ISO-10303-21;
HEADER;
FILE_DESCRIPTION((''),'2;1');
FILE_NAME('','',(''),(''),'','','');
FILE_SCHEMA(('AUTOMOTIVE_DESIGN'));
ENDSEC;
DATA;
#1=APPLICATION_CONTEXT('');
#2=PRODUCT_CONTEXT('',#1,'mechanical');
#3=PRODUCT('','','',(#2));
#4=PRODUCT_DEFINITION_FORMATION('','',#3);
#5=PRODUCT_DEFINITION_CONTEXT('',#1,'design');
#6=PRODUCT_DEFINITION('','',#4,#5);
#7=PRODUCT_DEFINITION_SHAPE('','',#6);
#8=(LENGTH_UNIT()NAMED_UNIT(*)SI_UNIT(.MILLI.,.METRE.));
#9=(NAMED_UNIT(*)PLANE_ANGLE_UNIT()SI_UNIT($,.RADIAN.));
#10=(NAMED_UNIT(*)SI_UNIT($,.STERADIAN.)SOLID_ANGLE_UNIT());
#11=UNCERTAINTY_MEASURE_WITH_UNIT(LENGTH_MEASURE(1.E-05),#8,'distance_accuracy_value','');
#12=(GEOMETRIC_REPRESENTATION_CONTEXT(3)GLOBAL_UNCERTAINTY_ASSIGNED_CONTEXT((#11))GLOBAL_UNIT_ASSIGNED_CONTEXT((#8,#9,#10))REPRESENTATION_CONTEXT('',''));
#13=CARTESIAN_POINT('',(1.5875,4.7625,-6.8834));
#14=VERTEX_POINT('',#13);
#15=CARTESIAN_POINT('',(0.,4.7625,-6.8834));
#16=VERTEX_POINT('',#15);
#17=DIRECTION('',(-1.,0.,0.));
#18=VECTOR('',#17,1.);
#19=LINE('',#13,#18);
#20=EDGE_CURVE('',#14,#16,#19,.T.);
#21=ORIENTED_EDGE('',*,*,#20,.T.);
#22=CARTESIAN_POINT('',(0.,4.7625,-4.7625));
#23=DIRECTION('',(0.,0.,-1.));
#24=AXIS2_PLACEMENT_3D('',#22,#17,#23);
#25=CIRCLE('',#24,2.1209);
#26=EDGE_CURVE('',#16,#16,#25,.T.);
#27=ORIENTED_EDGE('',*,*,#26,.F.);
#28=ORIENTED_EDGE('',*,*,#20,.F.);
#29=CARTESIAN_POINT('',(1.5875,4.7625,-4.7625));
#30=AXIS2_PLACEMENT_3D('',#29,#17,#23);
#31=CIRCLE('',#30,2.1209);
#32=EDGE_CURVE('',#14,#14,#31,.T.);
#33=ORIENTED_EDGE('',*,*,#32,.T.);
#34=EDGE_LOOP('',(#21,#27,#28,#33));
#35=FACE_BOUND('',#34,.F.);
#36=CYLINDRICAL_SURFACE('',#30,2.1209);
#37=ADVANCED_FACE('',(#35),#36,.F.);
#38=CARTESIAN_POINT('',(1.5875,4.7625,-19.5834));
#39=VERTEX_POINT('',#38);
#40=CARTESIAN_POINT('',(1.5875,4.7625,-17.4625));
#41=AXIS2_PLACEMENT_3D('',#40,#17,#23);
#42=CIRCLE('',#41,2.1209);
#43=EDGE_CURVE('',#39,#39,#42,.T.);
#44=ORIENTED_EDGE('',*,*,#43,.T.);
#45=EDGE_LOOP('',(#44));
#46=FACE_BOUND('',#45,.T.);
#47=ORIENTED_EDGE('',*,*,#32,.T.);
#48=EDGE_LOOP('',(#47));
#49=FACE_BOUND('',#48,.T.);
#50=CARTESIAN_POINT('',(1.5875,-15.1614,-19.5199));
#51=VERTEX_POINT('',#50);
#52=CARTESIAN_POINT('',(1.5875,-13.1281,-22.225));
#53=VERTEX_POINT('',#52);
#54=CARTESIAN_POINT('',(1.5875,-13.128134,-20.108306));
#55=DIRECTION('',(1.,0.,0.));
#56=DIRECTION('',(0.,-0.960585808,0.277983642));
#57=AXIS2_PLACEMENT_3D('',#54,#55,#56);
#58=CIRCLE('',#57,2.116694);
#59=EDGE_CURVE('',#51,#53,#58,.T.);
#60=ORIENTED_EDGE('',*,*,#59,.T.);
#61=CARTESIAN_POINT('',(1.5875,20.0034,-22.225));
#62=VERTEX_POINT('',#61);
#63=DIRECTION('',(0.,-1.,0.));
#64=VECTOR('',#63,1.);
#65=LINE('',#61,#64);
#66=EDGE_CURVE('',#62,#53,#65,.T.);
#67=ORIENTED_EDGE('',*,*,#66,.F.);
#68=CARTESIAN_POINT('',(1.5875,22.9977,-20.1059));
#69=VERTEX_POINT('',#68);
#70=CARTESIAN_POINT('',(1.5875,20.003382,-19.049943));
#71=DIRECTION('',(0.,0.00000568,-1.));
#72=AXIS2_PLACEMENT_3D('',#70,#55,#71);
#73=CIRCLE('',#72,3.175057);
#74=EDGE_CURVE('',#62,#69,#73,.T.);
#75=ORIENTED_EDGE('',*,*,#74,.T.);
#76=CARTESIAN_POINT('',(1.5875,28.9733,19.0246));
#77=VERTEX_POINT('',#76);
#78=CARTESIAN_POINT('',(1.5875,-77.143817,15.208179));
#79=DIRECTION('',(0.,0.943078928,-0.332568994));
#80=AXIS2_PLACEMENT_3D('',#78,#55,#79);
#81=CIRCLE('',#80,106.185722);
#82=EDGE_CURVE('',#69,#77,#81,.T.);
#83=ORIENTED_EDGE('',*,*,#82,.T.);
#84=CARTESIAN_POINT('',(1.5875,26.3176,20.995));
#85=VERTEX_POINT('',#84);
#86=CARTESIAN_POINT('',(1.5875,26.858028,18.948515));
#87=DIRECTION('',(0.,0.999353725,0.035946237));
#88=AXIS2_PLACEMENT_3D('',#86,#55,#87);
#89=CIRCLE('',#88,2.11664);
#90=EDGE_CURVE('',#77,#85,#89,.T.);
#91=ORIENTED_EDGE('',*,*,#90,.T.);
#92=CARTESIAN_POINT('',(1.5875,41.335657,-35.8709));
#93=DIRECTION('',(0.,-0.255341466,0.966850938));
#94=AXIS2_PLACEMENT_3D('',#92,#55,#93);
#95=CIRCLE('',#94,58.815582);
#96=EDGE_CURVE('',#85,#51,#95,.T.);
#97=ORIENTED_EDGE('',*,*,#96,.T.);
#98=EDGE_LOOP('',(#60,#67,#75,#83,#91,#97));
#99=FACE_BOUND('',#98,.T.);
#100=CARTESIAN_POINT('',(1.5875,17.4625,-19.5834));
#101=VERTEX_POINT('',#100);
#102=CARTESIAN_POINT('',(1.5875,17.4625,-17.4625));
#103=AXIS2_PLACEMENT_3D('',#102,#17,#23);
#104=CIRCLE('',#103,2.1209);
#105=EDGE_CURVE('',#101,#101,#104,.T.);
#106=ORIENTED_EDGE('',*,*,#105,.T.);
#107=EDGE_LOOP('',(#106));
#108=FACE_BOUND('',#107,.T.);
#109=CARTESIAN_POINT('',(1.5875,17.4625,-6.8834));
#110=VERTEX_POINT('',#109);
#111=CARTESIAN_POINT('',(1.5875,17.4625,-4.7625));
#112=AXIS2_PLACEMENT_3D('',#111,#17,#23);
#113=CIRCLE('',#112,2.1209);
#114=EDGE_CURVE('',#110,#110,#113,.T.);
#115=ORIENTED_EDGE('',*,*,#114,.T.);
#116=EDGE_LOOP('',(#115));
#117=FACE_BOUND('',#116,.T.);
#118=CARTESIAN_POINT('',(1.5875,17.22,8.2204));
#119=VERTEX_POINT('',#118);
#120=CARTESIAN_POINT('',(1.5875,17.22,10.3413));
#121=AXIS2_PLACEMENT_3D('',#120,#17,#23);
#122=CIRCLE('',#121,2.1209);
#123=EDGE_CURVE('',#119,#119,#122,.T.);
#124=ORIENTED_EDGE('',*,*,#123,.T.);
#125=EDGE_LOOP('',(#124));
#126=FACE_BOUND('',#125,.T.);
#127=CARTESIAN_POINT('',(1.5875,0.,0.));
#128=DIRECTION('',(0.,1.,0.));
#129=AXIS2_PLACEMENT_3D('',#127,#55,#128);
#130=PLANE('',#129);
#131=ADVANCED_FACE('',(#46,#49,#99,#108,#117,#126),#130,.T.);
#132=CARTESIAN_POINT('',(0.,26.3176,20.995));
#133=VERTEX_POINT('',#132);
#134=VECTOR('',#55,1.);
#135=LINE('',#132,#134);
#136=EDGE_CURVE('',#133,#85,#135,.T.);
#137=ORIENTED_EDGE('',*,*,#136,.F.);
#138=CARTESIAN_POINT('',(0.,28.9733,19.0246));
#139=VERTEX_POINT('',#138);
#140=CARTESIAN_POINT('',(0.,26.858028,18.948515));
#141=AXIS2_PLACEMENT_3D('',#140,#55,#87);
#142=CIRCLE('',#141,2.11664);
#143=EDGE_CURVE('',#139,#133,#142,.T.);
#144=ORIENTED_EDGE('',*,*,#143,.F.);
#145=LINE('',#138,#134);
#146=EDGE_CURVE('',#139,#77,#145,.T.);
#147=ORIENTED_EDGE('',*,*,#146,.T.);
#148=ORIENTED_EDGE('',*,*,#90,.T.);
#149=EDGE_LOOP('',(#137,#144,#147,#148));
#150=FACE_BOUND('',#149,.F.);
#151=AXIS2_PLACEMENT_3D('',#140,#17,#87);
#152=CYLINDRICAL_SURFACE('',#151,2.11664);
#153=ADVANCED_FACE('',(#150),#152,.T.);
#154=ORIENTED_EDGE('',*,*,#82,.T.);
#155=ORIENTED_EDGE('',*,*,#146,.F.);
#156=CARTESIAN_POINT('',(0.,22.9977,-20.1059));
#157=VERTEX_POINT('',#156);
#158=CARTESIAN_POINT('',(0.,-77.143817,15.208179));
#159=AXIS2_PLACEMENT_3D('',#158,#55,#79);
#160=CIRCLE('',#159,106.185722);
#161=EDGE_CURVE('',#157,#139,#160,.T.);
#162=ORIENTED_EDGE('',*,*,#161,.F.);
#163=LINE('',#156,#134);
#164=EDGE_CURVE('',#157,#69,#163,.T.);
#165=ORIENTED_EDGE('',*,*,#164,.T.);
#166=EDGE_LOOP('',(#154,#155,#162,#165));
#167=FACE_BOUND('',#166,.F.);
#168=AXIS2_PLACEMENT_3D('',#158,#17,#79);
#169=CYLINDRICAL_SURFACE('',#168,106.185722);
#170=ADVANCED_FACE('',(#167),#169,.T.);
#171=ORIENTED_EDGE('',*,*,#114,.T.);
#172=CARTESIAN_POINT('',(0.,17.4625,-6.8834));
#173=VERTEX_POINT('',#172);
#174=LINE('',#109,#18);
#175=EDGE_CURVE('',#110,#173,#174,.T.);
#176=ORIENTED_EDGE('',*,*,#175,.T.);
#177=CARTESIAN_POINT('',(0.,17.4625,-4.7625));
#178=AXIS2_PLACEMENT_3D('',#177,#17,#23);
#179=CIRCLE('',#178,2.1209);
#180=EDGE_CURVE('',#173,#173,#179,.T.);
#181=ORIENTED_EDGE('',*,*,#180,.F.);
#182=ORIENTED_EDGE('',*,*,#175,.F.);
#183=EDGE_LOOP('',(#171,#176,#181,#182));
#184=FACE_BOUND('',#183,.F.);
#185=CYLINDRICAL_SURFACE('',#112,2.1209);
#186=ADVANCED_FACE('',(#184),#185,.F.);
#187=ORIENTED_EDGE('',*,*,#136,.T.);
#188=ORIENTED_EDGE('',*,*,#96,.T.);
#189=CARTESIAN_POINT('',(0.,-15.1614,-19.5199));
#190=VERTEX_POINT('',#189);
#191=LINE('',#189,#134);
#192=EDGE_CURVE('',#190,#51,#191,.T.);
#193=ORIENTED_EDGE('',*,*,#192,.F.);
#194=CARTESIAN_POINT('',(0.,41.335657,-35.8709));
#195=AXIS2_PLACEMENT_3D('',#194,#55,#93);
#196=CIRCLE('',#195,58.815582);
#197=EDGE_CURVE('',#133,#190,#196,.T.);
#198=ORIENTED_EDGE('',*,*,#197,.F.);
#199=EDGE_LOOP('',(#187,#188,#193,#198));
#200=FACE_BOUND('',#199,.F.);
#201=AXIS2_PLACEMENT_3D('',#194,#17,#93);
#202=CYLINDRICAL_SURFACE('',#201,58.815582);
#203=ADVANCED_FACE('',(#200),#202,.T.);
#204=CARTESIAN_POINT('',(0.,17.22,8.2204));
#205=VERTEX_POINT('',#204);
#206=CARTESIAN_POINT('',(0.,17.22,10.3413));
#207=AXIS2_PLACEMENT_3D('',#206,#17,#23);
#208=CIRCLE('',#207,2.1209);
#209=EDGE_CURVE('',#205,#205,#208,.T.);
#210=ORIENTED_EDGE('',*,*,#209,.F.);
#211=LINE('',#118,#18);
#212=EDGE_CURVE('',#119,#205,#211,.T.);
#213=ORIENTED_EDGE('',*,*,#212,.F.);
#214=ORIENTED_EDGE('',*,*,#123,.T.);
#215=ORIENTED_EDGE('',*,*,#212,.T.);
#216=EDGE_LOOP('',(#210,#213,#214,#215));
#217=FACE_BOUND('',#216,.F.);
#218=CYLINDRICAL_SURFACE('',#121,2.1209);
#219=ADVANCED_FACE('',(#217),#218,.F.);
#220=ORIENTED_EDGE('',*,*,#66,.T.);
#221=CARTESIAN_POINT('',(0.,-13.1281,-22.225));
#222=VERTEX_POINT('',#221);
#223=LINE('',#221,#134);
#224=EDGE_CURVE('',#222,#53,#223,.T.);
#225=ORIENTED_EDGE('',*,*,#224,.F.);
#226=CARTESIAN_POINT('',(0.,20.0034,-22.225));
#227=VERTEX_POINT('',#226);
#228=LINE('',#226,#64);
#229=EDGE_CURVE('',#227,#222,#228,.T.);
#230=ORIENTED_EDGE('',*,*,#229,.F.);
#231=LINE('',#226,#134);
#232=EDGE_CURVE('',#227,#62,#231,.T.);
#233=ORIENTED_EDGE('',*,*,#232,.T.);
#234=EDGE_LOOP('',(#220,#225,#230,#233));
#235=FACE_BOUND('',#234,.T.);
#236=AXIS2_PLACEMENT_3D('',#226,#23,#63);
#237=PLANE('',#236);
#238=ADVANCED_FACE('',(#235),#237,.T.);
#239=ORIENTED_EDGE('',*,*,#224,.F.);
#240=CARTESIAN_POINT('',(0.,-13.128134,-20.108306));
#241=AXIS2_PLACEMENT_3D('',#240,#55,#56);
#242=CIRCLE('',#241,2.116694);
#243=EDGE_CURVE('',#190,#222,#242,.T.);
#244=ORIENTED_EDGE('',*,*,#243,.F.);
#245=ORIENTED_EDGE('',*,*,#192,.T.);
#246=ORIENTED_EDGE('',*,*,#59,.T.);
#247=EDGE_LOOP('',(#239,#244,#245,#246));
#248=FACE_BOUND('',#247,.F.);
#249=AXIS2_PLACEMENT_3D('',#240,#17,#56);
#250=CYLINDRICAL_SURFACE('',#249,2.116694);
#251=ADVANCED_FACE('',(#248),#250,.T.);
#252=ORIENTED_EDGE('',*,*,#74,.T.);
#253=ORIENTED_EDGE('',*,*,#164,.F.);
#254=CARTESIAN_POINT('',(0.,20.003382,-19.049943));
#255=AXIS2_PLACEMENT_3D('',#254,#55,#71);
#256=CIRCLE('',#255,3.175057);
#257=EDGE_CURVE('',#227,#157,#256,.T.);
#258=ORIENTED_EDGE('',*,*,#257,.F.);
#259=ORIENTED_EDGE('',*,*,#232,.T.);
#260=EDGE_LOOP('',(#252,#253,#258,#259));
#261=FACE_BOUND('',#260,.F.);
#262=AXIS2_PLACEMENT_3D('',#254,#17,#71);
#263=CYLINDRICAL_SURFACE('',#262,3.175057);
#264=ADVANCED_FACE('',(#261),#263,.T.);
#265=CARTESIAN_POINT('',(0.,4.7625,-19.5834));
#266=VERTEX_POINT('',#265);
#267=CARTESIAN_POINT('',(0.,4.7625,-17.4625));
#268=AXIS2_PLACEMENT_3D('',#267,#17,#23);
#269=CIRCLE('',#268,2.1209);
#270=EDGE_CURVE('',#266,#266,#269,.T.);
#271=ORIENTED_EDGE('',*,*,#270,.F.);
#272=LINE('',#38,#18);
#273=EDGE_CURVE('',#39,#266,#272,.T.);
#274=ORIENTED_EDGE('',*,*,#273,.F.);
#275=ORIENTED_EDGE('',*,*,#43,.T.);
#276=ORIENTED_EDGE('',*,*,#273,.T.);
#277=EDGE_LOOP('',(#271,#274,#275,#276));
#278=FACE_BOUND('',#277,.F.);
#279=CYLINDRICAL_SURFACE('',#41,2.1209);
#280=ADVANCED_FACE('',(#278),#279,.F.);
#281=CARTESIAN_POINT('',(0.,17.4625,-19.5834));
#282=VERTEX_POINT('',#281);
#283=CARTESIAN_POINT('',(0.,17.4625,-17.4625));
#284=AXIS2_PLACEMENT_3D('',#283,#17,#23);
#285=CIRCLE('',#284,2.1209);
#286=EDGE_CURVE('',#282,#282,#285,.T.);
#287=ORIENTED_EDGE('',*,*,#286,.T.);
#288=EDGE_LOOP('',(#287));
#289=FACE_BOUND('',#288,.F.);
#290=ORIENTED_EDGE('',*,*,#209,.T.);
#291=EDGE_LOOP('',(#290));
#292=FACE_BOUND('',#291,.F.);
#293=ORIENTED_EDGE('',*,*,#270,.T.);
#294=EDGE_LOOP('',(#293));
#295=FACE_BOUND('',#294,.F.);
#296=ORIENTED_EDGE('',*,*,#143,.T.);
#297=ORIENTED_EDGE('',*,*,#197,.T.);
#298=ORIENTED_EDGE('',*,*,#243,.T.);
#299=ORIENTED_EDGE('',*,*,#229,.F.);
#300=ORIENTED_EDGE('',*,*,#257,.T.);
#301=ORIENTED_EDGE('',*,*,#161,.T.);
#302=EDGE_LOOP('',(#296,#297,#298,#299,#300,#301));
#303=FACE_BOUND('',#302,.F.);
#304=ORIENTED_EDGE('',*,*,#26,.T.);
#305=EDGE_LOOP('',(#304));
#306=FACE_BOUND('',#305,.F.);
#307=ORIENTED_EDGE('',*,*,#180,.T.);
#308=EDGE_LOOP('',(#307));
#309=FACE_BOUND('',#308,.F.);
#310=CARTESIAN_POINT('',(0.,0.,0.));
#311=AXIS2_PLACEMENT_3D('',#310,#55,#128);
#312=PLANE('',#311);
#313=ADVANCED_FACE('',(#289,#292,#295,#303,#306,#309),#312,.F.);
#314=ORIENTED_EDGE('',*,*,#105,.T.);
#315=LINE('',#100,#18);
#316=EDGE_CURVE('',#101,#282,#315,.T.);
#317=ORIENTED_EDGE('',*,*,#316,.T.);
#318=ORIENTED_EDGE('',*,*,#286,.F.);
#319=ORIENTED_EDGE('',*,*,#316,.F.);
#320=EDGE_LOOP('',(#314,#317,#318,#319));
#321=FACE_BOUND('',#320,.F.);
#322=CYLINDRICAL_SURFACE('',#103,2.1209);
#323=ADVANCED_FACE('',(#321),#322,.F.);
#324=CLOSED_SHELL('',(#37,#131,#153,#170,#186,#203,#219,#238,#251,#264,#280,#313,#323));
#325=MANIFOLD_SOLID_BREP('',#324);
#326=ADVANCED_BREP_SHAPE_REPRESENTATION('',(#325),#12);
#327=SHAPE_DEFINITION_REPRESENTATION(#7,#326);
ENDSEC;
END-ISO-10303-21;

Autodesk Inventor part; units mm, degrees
ref_plane "YZ Plane" through (0, 0, 0) normal (1, 0, 0) x (0, 1, 0)
ref_plane "XZ Plane" through (0, 0, 0) normal (0, 1, 0) x (-1, 0, 0)
ref_plane "XY Plane" through (0, 0, 0) normal (0, 0, 1) x (1, 0, 0)
sketch "Sketch1" plane through (0, 0, 0) normal (1, 0, 0) x (0, 1, 0)
  line L0 (20.0034, -22.225) -> (-13.1281, -22.225)
  arc A0 (26.3176, 20.995) -> (-15.1614, -19.5199) centre (41.3356, -35.8708) ccw
  arc A1 (22.9977, -20.1059) -> (28.9733, 19.0246) centre (-77.1451, 15.2085) ccw
  arc A2 (28.9733, 19.0246) -> (26.3176, 20.995) centre (26.858, 18.9485) ccw
  arc A3 (-15.1614, -19.5199) -> (-13.1281, -22.225) centre (-13.1281, -20.1083) ccw
  arc A4 (20.0034, -22.225) -> (22.9977, -20.1059) centre (20.0034, -19.05) ccw
  point P0 (0, -22.225)
  point P1 (22.225, -22.225)
  point P2 (22.225, 18.2669)
  point P3 (-24.8206, -21.8938)
  point P4 (-15.875, -22.225)
  dimension "d1" = 22.225
  dimension "d55" = 38.1
  dimension "d57" = 2.1167
  dimension "d58" = 3.175
extrude "Extrusion1" add sketch "Sketch1" along normal blind 1.5875
sketch "Sketch2" plane through (1.5875, 0, 0) normal (1, 0, 0) x (0, 0, -1)
  line L0 (22.225, 3.175) -> (22.225, 19.05) projected
  line L1 (0, 11.1125) -> (4.7625, 11.1125)
  line L2 (4.7625, 11.1125) -> (17.4625, 11.1125)
  line L3 (17.4625, 11.1125) -> (22.225, 11.1125)
  line L4 (4.7625, 11.1125) -> (4.7625, 17.4625)
  line L5 (17.4625, 17.4625) -> (17.4625, 4.7625)
  line L6 (4.7625, 4.7625) -> (4.7625, 11.1125)
  line L7 (4.7625, 17.4625) -> (-17.3369, 17.4625)
  line L8 (-19.3894, 19.515) -> (-0.8044, 0.9299) projected
  line L9 (-17.3369, 17.4625) -> (-13.9604, 20.8391)
  line L10 (-17.3369, 17.4625) -> (-12.5617, 17.4625) construction
  line L11 (-13.9604, 20.8391) -> (-6.7223, 13.601)
  line L12 (-13.9604, 20.8391) -> (-3.7242, 20.8391) construction
  point P0 (0, 0)
  point P1 (-10.3413, 17.22)
  dimension "d13" = 4.7625
  dimension "d14" = 12.7
  dimension "d15" = 6.35
  dimension "d16" = 12.7
  dimension "d49" = 4.7752
  dimension "d50" = 45
  dimension "d51" = 10.2362
  dimension "d52" = 45
hole "Hole1" at (1.5875, 17.4625, -4.7625) at (1.5875, 4.7625, -4.7625) at (1.5875, 17.22, 10.3413) at (1.5875, 17.4625, -17.4625) at (1.5875, 4.7625, -17.4625) direction (-1, 0, 0) diameter 4.2418 end through all
properties part number "sled" material "Polycarbonate, Smoke"
